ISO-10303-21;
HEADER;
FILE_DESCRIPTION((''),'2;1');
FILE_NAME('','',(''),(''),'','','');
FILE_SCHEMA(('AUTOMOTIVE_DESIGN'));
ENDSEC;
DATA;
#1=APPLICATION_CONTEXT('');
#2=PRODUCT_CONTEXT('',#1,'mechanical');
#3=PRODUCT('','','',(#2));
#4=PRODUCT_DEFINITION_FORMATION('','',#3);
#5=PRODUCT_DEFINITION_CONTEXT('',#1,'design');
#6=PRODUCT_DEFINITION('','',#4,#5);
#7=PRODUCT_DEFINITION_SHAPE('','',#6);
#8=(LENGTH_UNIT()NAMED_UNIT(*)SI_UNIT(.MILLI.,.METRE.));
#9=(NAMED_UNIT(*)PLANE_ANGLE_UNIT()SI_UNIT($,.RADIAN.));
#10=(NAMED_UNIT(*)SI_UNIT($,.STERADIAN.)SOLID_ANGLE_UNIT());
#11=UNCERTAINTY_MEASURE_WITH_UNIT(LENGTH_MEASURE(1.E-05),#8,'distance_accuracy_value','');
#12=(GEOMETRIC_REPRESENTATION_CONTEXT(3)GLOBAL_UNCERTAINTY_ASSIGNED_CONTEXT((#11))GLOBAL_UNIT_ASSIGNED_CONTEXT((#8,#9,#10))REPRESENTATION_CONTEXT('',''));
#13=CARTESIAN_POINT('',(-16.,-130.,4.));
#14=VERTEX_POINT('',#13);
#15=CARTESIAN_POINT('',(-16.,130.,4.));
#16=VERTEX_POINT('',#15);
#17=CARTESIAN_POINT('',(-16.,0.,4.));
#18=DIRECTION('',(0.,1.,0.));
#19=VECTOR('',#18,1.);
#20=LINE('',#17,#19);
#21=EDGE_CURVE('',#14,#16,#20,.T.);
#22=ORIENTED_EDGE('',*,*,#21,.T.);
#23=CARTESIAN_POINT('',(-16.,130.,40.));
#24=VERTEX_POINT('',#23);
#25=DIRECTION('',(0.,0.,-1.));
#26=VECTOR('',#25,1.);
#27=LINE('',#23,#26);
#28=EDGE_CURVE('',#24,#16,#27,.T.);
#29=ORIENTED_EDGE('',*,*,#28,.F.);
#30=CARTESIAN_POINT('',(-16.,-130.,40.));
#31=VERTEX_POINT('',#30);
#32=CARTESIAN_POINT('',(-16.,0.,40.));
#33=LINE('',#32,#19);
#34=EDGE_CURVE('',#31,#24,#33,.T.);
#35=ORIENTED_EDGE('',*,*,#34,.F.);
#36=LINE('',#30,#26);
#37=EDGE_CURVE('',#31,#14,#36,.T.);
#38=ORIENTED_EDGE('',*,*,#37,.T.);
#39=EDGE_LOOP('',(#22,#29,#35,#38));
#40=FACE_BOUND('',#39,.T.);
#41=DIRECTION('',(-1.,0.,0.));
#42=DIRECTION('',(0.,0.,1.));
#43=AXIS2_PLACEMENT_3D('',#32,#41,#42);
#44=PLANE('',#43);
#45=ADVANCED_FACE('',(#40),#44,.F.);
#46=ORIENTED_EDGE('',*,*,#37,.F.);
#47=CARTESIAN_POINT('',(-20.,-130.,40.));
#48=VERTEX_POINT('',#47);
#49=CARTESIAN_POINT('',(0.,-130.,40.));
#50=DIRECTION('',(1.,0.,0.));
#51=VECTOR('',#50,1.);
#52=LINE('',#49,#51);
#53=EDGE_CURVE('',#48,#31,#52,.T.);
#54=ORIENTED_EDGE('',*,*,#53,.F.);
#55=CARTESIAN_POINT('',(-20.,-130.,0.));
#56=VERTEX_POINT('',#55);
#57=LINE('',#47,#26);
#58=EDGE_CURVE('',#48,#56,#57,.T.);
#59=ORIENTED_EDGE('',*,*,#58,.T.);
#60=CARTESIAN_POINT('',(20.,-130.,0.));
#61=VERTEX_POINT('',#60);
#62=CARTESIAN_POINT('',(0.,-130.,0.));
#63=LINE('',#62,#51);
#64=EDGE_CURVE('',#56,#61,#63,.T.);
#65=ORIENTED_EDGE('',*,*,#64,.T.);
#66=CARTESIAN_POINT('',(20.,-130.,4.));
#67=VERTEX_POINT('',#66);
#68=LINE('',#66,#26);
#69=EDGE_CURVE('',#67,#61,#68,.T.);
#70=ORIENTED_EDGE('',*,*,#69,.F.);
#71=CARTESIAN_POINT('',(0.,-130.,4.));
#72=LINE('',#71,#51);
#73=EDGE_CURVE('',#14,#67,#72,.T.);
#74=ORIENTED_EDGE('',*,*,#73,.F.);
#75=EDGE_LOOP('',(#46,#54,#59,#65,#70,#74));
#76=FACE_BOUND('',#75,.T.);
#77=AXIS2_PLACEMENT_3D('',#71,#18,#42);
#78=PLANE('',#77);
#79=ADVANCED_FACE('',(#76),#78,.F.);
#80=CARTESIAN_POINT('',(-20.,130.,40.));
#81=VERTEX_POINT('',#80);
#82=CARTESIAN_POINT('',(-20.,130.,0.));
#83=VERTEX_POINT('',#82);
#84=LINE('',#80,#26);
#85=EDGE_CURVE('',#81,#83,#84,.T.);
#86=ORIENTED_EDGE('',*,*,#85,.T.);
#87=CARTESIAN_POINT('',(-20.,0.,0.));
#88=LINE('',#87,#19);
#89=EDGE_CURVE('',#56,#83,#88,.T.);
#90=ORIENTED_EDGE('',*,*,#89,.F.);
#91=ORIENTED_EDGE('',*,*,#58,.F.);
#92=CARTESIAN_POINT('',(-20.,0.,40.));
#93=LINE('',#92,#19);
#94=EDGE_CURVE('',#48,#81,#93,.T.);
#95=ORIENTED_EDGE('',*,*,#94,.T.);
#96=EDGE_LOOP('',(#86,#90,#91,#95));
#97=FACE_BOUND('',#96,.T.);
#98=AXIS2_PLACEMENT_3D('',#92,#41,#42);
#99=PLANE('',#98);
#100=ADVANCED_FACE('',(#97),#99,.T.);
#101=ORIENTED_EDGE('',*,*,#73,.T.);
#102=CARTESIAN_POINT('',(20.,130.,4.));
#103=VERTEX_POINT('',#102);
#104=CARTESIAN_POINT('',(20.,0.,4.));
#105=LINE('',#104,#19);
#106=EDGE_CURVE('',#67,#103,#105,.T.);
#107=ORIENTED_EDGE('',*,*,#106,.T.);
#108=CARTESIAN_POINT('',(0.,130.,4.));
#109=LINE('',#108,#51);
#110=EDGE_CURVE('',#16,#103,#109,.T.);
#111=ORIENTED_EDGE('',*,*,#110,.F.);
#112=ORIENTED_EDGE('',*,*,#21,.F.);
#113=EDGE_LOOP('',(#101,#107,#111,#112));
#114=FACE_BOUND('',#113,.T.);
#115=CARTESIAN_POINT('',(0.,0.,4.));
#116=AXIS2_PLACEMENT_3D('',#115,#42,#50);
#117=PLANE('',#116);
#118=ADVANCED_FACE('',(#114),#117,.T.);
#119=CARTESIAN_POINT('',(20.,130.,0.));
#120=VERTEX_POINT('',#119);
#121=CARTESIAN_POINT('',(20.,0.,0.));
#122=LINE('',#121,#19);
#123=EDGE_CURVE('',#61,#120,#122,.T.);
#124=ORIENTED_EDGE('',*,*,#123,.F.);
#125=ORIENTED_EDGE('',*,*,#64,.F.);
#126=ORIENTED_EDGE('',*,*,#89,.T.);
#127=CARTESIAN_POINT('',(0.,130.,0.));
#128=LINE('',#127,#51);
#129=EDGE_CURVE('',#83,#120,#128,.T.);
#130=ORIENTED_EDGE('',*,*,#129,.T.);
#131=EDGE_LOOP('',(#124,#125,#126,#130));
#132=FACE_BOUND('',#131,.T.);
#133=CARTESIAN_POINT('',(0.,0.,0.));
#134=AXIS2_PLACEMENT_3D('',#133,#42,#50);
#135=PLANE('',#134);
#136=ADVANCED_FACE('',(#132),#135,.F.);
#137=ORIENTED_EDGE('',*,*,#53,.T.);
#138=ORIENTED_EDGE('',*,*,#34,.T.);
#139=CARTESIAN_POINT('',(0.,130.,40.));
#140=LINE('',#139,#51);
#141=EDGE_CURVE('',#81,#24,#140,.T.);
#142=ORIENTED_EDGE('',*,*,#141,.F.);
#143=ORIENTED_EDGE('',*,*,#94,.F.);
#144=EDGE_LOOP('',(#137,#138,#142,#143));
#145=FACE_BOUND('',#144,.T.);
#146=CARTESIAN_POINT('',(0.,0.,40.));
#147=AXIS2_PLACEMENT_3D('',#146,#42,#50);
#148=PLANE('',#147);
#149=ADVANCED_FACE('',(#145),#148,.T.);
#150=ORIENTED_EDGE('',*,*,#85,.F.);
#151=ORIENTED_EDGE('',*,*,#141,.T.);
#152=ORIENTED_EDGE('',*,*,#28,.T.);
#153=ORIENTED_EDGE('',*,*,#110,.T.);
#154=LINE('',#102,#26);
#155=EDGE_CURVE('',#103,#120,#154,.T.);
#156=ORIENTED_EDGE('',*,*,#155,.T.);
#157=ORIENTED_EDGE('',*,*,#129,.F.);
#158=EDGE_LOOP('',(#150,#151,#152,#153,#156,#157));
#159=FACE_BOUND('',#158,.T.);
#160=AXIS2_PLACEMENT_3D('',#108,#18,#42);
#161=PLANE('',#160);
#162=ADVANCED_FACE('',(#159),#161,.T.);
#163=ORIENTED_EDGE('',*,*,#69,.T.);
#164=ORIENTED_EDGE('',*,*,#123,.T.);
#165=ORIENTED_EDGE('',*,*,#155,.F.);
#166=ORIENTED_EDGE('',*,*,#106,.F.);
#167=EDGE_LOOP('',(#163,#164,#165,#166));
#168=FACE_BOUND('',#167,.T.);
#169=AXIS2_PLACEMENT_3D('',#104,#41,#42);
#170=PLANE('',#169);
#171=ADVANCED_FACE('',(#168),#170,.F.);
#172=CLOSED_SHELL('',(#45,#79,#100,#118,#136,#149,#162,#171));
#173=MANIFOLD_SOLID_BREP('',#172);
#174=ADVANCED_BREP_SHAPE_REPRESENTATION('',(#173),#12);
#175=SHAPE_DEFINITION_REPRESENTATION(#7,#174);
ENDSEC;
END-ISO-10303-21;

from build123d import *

# Parameters (mm, degrees)
SKETCH2_W           = 36
SKETCH2_H           = 260
BOSS_EXTRUDE1_DEPTH = 4
SKETCH2_3_W         = 4
SKETCH2_3_H         = 260
BOSS_EXTRUDE2_DEPTH = 40


with BuildPart() as part:
    # Sketch2 → Boss-Extrude1 (new body)
    with BuildSketch(Plane.XY):
        with Locations((2, 0)):
            Rectangle(SKETCH2_W, SKETCH2_H)
    extrude(amount=BOSS_EXTRUDE1_DEPTH)

    # Sketch2_3 → Boss-Extrude2 (add)
    with BuildSketch(Plane.XY):
        with Locations((-18, 0)):
            Rectangle(SKETCH2_3_W, SKETCH2_3_H)
    extrude(amount=BOSS_EXTRUDE2_DEPTH)


solid = part.part
